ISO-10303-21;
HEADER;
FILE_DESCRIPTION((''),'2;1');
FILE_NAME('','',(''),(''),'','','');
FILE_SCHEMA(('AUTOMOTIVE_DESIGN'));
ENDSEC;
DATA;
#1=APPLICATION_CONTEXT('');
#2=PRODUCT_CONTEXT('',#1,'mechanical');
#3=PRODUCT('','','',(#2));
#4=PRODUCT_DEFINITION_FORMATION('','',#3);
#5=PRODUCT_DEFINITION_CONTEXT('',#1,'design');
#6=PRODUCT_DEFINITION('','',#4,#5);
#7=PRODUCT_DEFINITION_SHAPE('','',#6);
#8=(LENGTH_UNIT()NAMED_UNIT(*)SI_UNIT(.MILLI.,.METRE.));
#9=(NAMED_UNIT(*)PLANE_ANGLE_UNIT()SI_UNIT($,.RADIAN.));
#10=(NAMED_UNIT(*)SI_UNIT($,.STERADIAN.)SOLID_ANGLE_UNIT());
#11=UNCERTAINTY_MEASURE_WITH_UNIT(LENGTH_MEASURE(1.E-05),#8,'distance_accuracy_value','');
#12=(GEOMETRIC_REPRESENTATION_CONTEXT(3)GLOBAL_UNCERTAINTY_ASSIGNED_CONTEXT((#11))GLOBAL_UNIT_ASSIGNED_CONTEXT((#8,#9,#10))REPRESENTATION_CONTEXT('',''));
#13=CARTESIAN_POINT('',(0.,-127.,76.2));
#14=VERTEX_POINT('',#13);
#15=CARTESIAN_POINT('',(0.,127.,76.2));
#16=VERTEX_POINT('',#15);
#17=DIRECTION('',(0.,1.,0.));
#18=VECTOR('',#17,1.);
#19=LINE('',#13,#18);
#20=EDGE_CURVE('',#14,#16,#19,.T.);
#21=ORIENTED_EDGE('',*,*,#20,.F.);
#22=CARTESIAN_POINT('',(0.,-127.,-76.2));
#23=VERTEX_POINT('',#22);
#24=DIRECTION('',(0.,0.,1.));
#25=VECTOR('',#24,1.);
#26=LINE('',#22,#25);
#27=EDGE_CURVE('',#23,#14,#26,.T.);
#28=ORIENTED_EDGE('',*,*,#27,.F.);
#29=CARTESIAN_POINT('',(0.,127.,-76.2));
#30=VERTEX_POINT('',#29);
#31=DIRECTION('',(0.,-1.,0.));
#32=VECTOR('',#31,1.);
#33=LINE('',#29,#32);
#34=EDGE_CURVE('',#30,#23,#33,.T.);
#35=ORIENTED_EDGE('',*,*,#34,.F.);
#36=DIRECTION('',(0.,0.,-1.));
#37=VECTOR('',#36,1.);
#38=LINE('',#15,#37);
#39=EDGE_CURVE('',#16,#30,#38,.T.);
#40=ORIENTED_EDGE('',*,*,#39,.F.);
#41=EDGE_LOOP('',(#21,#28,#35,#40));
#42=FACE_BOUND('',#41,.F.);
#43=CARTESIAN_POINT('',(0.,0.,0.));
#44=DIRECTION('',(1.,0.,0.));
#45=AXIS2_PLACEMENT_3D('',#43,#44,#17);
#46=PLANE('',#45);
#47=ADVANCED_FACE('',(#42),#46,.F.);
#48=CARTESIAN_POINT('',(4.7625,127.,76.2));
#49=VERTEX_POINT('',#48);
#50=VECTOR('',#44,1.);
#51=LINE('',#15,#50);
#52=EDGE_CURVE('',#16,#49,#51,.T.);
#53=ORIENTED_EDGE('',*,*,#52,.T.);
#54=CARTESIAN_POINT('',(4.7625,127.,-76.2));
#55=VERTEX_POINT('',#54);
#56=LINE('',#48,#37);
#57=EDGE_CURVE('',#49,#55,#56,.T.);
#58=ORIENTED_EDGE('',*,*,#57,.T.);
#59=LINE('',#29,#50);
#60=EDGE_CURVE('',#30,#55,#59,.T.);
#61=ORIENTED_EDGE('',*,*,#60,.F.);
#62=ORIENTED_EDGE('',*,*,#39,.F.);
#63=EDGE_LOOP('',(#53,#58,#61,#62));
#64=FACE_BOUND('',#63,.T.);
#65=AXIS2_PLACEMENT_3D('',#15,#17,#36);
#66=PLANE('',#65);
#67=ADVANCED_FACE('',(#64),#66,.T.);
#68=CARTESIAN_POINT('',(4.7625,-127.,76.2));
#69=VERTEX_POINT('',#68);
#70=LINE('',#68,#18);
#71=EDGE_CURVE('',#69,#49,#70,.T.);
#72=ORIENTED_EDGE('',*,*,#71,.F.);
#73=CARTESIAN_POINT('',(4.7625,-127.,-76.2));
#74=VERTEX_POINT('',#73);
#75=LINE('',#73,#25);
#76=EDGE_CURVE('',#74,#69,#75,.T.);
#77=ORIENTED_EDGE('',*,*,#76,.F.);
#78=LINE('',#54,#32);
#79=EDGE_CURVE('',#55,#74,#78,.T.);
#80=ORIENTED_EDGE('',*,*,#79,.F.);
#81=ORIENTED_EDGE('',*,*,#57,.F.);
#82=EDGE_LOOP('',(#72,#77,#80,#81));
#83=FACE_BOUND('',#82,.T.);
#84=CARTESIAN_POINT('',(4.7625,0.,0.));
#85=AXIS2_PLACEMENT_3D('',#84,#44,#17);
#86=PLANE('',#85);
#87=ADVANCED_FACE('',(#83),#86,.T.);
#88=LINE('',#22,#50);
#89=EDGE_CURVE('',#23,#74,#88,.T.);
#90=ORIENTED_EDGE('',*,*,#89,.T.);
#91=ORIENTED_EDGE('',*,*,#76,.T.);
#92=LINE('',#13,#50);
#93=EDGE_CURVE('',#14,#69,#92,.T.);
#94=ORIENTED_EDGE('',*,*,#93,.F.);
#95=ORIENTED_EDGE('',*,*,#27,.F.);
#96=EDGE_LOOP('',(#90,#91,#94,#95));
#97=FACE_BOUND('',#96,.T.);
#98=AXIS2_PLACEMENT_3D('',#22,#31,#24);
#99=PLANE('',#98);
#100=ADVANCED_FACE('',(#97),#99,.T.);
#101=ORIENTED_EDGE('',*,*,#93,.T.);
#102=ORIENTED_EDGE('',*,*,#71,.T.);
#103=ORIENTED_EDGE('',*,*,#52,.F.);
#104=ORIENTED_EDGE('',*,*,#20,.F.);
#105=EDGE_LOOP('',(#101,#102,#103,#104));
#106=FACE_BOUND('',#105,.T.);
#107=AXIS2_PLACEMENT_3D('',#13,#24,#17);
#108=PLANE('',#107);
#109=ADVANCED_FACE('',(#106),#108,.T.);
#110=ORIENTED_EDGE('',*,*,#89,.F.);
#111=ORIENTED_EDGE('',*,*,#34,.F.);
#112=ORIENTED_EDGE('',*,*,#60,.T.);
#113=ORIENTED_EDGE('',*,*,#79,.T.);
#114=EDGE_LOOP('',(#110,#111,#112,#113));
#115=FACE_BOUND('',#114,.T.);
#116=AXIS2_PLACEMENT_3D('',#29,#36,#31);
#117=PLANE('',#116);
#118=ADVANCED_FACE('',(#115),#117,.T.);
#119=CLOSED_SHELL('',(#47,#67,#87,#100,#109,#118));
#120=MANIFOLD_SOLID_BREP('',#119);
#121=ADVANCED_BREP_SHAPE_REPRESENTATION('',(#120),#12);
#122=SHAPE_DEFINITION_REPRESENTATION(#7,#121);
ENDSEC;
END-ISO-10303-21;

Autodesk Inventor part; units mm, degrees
ref_plane "YZ Plane" through (0, 0, 0) normal (1, 0, 0) x (0, 1, 0)
ref_plane "XZ Plane" through (0, 0, 0) normal (0, 1, 0) x (-1, 0, 0)
ref_plane "XY Plane" through (0, 0, 0) normal (0, 0, 1) x (1, 0, 0)
sketch "Sketch1" plane through (0, 0, 0) normal (1, 0, 0) x (0, 1, 0)
  line L0 (-127, 76.2) -> (127, 76.2)
  line L1 (127, 76.2) -> (127, -76.2)
  line L2 (127, -76.2) -> (-127, -76.2)
  line L3 (-127, -76.2) -> (-127, 76.2)
  line L4 (-127, 76.2) -> (127, -76.2) construction
  line L5 (127, 76.2) -> (-127, -76.2) construction
  point P0 (0, 0)
  dimension "d0" = 152.4
  dimension "d1" = 254
extrude "Plate1" add sketch "Sketch1" along normal blind 4.7625
equation "\"BendRadius\" = Thickness"
equation "\"BendReliefWidth\" = Thickness"
equation "\"BendReliefDepth\" = 0.5 * Thickness"
equation "\"CornerReliefSize\" = 4 * Thickness"
equation "\"MinimumRemnant\" = 2 * Thickness"
equation "\"TransitionRadius\" = BendRadius"
equation "\"JacobiRadiusSize\" = BendRadius"
equation "\"GapSize\" = Thickness"
equation "\"d2\" = BendRadius"
equation "\"Thickness\" = 4.7625"
properties part number "LongTLeftRightOut" material "Steel, Mild"
